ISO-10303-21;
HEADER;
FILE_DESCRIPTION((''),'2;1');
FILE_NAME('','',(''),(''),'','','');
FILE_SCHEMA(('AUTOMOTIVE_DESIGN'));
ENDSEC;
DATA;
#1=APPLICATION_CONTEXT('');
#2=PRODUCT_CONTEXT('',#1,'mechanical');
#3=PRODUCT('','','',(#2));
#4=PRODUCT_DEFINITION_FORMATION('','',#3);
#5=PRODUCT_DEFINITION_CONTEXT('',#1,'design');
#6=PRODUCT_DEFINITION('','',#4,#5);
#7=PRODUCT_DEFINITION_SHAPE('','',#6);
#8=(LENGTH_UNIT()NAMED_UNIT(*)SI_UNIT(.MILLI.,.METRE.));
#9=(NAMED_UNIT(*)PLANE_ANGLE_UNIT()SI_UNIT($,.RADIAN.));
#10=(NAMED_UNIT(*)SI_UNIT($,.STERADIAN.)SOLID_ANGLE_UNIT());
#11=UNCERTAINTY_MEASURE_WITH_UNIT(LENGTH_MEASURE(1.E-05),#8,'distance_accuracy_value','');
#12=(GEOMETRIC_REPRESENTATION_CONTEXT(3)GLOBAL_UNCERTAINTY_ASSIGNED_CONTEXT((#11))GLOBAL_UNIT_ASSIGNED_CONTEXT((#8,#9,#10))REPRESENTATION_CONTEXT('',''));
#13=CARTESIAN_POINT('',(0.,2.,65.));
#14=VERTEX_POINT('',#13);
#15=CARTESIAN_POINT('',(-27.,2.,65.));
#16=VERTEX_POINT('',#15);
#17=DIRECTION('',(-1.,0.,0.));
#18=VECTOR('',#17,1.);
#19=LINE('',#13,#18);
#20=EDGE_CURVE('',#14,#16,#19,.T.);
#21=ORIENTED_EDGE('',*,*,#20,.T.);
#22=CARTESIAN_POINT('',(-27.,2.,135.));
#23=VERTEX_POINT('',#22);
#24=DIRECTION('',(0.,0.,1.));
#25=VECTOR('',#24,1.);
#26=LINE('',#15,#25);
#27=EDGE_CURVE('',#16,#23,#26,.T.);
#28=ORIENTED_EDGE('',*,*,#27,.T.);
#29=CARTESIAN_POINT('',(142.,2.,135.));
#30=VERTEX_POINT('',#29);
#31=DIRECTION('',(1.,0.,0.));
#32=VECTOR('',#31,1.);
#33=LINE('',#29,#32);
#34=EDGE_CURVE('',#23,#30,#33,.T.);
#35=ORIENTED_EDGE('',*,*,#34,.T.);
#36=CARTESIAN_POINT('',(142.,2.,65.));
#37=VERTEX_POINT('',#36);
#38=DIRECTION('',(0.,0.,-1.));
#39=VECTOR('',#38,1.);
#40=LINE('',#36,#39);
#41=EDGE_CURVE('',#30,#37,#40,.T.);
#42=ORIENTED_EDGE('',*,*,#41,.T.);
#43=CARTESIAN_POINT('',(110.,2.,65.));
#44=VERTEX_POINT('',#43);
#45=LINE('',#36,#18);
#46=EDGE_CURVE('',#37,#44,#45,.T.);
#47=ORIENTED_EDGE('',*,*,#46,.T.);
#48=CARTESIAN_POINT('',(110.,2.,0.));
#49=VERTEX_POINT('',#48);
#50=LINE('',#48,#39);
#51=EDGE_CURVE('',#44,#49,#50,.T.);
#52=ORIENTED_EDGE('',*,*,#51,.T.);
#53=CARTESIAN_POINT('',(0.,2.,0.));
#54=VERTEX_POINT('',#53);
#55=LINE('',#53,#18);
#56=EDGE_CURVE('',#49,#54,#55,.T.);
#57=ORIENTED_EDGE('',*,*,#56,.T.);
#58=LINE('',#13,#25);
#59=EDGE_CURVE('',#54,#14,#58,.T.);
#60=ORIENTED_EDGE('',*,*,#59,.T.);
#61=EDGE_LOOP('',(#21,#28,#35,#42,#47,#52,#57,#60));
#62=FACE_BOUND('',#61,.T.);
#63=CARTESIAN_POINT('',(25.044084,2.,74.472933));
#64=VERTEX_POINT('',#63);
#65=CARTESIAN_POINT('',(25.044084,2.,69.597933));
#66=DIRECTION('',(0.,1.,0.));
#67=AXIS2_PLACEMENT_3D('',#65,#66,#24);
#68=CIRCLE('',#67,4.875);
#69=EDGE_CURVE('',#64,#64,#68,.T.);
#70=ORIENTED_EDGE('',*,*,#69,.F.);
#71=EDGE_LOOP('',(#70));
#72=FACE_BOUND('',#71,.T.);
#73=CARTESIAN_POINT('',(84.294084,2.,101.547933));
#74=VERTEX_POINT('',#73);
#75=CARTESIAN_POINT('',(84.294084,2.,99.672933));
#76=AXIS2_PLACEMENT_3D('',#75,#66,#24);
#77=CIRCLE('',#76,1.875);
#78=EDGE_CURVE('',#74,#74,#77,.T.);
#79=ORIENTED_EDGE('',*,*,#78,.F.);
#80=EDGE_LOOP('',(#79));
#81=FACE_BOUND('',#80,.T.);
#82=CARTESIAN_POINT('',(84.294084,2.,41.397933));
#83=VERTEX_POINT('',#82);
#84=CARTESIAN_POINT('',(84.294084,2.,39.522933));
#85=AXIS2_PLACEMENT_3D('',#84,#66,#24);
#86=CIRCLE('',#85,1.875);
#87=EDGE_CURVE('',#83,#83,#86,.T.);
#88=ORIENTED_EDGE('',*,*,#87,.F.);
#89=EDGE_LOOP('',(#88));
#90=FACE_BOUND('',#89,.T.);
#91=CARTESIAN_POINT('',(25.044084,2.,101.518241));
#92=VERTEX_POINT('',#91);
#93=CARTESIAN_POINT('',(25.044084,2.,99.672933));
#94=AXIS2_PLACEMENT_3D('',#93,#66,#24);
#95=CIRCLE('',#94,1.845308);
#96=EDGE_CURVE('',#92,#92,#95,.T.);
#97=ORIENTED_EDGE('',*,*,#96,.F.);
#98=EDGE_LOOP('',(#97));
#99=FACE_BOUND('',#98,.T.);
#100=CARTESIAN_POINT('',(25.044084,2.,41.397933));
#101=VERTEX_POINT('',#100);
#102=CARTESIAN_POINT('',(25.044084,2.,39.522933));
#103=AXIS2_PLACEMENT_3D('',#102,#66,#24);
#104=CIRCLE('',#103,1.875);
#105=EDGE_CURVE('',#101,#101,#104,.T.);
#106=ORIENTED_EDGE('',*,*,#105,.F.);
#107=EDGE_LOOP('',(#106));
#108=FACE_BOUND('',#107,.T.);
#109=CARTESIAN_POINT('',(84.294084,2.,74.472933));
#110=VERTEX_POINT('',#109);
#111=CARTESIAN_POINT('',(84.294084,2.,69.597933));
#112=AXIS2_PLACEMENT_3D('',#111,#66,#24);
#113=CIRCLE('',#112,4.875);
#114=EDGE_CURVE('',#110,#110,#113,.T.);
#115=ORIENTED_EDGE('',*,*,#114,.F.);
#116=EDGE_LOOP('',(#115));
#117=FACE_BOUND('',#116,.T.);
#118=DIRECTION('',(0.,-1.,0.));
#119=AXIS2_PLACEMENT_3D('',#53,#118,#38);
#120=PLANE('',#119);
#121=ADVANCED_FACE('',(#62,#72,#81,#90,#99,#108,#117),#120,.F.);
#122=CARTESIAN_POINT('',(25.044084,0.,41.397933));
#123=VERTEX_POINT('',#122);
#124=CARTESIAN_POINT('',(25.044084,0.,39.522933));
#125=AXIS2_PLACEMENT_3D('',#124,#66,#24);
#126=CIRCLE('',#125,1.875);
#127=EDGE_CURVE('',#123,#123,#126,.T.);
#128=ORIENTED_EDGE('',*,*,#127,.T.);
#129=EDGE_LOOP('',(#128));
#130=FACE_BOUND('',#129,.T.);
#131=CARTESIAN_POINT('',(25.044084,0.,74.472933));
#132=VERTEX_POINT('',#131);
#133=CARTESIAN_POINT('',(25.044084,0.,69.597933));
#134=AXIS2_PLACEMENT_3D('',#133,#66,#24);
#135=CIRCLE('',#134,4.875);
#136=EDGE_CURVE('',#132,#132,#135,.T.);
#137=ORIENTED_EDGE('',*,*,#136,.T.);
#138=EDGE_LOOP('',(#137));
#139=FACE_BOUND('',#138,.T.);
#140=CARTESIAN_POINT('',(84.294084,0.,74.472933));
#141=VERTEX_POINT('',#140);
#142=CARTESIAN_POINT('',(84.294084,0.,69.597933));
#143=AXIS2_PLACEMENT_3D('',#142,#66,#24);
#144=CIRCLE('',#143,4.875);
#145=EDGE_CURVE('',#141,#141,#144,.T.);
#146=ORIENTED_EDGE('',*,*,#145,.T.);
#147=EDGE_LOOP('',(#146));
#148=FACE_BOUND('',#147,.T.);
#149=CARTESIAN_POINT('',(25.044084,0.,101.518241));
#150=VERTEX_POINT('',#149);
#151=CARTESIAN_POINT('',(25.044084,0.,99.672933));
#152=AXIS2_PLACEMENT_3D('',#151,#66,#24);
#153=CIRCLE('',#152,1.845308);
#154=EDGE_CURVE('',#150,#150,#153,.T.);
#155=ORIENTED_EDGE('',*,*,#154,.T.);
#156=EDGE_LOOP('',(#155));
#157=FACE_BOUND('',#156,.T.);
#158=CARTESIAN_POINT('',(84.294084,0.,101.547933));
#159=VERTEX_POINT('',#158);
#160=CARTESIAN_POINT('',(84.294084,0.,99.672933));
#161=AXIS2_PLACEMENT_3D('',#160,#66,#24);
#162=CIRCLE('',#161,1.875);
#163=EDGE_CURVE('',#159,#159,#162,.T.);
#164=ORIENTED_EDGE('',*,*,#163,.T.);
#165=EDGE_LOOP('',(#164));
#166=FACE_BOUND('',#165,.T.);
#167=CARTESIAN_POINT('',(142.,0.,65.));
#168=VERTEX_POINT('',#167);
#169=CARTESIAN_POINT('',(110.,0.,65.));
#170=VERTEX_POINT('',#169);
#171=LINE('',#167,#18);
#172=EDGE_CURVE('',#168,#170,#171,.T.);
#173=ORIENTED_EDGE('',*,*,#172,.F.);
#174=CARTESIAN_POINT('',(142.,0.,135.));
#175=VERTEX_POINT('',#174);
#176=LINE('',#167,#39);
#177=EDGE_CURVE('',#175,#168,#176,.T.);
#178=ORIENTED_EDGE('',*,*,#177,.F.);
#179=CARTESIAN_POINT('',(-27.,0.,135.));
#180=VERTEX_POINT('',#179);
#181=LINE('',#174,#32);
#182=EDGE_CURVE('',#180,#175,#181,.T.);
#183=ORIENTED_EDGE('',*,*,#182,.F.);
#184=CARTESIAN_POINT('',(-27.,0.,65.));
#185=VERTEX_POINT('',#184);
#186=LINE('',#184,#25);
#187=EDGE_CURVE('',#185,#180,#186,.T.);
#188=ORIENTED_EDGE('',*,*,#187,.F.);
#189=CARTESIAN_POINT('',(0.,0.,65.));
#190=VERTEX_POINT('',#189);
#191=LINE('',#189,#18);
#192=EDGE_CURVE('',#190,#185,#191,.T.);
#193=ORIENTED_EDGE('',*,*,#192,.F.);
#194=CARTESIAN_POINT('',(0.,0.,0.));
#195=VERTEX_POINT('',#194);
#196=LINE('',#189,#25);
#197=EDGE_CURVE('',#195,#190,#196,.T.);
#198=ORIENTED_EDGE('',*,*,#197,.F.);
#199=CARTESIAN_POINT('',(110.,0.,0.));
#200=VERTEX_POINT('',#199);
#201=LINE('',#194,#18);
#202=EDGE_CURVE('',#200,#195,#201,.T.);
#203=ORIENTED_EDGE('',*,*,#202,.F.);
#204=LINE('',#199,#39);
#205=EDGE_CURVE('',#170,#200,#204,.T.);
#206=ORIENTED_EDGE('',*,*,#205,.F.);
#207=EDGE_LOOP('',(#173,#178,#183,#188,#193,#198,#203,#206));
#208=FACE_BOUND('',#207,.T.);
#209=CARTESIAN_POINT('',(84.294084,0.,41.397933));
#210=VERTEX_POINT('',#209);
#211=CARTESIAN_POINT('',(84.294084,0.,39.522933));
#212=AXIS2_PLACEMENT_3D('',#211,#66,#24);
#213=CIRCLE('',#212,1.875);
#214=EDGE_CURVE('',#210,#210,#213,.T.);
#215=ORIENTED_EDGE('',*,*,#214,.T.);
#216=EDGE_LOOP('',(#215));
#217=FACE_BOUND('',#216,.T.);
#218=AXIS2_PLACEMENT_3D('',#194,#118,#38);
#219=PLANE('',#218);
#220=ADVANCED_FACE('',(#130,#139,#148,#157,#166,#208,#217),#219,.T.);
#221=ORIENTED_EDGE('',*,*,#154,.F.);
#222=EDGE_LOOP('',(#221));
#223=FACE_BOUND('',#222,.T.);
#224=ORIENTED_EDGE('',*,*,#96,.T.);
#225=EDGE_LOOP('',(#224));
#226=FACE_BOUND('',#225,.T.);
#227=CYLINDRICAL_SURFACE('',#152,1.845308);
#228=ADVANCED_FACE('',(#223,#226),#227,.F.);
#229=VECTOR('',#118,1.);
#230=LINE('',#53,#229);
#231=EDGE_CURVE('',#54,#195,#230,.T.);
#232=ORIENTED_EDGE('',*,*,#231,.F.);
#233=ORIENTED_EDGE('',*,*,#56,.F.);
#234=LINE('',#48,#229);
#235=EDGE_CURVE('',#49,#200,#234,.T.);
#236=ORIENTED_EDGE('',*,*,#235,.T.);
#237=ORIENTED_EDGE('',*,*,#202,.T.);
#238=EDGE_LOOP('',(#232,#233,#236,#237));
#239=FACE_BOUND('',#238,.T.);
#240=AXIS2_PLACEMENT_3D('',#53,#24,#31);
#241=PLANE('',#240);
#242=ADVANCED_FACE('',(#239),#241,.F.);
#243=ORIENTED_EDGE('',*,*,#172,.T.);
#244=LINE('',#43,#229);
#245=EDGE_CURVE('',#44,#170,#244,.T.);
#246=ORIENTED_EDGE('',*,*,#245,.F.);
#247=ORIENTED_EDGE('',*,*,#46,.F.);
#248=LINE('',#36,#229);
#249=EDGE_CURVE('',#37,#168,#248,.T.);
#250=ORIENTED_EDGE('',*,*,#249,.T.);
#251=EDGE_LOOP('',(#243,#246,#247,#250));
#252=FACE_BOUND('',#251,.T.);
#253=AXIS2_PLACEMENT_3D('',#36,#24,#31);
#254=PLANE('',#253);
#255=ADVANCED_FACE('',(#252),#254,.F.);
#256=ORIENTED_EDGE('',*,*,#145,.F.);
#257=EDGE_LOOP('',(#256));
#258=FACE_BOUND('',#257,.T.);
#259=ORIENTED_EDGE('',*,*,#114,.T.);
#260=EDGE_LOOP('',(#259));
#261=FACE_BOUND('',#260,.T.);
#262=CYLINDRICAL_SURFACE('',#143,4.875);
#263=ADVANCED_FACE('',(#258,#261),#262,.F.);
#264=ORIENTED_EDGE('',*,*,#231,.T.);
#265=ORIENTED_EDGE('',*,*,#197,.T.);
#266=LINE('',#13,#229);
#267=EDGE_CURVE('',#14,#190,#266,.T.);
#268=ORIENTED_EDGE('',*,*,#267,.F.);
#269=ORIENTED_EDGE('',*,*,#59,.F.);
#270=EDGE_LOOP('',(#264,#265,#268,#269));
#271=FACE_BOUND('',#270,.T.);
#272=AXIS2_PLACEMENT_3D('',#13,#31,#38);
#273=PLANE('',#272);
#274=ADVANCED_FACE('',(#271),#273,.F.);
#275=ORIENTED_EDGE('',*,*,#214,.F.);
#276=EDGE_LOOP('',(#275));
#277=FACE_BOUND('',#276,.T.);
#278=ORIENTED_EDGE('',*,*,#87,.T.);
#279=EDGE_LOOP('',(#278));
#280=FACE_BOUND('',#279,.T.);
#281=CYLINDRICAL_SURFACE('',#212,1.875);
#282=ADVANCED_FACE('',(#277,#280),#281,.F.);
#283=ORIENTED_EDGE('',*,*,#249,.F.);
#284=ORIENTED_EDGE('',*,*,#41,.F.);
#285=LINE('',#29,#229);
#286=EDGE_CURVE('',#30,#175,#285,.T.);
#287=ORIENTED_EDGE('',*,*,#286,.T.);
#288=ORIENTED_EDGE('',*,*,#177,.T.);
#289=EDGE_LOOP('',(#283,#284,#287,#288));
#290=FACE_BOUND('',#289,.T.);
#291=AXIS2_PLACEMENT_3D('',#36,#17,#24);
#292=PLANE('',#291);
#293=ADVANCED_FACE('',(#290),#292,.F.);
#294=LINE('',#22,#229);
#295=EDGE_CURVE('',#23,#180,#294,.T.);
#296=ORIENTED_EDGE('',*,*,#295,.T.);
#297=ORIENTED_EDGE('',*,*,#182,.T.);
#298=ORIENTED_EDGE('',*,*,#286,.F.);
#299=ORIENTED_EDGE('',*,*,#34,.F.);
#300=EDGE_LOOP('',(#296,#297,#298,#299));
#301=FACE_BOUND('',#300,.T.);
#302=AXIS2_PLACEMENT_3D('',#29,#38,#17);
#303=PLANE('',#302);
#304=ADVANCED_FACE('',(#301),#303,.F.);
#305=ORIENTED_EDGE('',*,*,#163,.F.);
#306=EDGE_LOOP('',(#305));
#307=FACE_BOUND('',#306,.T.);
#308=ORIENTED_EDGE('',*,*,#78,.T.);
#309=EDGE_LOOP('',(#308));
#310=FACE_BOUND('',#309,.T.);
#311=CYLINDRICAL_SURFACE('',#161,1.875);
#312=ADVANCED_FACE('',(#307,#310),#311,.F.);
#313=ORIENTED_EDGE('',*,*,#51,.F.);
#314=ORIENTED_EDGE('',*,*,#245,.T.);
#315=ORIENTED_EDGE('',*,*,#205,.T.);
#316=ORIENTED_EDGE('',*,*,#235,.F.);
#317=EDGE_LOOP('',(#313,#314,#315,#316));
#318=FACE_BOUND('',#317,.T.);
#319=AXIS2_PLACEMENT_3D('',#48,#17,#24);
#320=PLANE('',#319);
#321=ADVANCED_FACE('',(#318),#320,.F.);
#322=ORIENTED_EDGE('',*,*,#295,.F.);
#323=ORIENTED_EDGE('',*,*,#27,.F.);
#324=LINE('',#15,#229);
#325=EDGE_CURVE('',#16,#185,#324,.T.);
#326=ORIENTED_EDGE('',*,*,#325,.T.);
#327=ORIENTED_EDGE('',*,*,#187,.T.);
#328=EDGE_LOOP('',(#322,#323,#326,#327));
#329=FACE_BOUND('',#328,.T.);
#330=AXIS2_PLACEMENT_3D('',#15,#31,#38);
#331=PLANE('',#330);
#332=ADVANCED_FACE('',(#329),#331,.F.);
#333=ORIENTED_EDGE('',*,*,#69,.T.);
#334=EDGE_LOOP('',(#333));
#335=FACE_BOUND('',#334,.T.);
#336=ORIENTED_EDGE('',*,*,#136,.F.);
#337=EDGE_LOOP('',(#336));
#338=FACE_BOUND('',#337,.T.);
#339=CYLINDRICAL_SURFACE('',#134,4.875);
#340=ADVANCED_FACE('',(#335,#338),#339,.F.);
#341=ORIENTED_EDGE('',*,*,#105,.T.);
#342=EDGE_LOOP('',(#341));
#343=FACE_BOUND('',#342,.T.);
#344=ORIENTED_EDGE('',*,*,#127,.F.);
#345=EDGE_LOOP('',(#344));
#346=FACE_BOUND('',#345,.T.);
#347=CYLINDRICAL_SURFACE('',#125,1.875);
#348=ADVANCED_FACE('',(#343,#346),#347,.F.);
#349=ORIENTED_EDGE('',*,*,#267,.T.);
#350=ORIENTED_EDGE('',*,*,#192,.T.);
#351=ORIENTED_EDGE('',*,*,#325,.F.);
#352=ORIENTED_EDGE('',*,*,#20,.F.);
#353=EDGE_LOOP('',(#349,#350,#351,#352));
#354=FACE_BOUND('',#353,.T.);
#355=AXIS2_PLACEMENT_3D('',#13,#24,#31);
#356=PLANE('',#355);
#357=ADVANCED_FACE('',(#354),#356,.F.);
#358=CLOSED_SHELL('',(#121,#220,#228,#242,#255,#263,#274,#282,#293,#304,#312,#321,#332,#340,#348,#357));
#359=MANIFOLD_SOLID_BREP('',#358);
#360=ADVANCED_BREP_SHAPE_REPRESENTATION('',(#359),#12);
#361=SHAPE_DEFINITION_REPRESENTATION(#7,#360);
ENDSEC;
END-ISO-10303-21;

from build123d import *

# Parameters (mm, degrees)
AUFSATZ_LINEAR_AUSTRAGEN1_DEPTH = 2
SKIZZE2_R                       = 4.875
SCHNITT_LINEAR_AUSTRAGEN1_DEPTH = 2
SKIZZE3_R                       = 4.875
SCHNITT_LINEAR_AUSTRAGEN2_DEPTH = 2
SKIZZE4_R                       = 1.875
SCHNITT_LINEAR_AUSTRAGEN3_DEPTH = 2
SKIZZE5_R                       = 1.845307759
SCHNITT_LINEAR_AUSTRAGEN4_DEPTH = 2
SKIZZE6_R                       = 1.875
SCHNITT_LINEAR_AUSTRAGEN5_DEPTH = 2
SKIZZE7_R                       = 1.875
SCHNITT_LINEAR_AUSTRAGEN6_DEPTH = 2


with BuildPart() as part:
    # Skizze1 → Aufsatz-Linear austragen1 (new body)
    with BuildSketch(Plane(origin=(0, 0, 0), x_dir=(1, 0, 0), z_dir=(0, 1, 0))):
        Polygon((142, -65), (110, -65), (110, 0), (0, 0), (0, -65), (-27, -65), (-27, -135), (142, -135), align=None)
    extrude(amount=AUFSATZ_LINEAR_AUSTRAGEN1_DEPTH)

    # Skizze2 → Schnitt-Linear austragen1 (cut)
    with BuildSketch(Plane(origin=(0, 2, 0), x_dir=(1, 0, 0), z_dir=(0, 1, 0))):
        with Locations((25.044083651, -69.597933498)):
            Circle(SKIZZE2_R)
    extrude(amount=-SCHNITT_LINEAR_AUSTRAGEN1_DEPTH, mode=Mode.SUBTRACT)

    # Skizze3 → Schnitt-Linear austragen2 (cut)
    with BuildSketch(Plane(origin=(0, 2, 0), x_dir=(1, 0, 0), z_dir=(0, 1, 0))):
        with Locations((84.294083651, -69.597933498)):
            Circle(SKIZZE3_R)
    extrude(amount=-SCHNITT_LINEAR_AUSTRAGEN2_DEPTH, mode=Mode.SUBTRACT)

    # Skizze4 → Schnitt-Linear austragen3 (cut)
    with BuildSketch(Plane(origin=(0, 2, 0), x_dir=(1, 0, 0), z_dir=(0, 1, 0))):
        with Locations((84.294083651, -99.672933498)):
            Circle(SKIZZE4_R)
    extrude(amount=-SCHNITT_LINEAR_AUSTRAGEN3_DEPTH, mode=Mode.SUBTRACT)

    # Skizze5 → Schnitt-Linear austragen4 (cut)
    with BuildSketch(Plane(origin=(0, 2, 0), x_dir=(1, 0, 0), z_dir=(0, 1, 0))):
        with Locations((25.044083651, -99.672933498)):
            Circle(SKIZZE5_R)
    extrude(amount=-SCHNITT_LINEAR_AUSTRAGEN4_DEPTH, mode=Mode.SUBTRACT)

    # Skizze6 → Schnitt-Linear austragen5 (cut)
    with BuildSketch(Plane(origin=(0, 2, 0), x_dir=(1, 0, 0), z_dir=(0, 1, 0))):
        with Locations((84.294083651, -39.522933498)):
            Circle(SKIZZE6_R)
    extrude(amount=-SCHNITT_LINEAR_AUSTRAGEN5_DEPTH, mode=Mode.SUBTRACT)

    # Skizze7 → Schnitt-Linear austragen6 (cut)
    with BuildSketch(Plane(origin=(0, 2, 0), x_dir=(1, 0, 0), z_dir=(0, 1, 0))):
        with Locations((25.044083651, -39.522933498)):
            Circle(SKIZZE7_R)
    extrude(amount=-SCHNITT_LINEAR_AUSTRAGEN6_DEPTH, mode=Mode.SUBTRACT)


solid = part.part
